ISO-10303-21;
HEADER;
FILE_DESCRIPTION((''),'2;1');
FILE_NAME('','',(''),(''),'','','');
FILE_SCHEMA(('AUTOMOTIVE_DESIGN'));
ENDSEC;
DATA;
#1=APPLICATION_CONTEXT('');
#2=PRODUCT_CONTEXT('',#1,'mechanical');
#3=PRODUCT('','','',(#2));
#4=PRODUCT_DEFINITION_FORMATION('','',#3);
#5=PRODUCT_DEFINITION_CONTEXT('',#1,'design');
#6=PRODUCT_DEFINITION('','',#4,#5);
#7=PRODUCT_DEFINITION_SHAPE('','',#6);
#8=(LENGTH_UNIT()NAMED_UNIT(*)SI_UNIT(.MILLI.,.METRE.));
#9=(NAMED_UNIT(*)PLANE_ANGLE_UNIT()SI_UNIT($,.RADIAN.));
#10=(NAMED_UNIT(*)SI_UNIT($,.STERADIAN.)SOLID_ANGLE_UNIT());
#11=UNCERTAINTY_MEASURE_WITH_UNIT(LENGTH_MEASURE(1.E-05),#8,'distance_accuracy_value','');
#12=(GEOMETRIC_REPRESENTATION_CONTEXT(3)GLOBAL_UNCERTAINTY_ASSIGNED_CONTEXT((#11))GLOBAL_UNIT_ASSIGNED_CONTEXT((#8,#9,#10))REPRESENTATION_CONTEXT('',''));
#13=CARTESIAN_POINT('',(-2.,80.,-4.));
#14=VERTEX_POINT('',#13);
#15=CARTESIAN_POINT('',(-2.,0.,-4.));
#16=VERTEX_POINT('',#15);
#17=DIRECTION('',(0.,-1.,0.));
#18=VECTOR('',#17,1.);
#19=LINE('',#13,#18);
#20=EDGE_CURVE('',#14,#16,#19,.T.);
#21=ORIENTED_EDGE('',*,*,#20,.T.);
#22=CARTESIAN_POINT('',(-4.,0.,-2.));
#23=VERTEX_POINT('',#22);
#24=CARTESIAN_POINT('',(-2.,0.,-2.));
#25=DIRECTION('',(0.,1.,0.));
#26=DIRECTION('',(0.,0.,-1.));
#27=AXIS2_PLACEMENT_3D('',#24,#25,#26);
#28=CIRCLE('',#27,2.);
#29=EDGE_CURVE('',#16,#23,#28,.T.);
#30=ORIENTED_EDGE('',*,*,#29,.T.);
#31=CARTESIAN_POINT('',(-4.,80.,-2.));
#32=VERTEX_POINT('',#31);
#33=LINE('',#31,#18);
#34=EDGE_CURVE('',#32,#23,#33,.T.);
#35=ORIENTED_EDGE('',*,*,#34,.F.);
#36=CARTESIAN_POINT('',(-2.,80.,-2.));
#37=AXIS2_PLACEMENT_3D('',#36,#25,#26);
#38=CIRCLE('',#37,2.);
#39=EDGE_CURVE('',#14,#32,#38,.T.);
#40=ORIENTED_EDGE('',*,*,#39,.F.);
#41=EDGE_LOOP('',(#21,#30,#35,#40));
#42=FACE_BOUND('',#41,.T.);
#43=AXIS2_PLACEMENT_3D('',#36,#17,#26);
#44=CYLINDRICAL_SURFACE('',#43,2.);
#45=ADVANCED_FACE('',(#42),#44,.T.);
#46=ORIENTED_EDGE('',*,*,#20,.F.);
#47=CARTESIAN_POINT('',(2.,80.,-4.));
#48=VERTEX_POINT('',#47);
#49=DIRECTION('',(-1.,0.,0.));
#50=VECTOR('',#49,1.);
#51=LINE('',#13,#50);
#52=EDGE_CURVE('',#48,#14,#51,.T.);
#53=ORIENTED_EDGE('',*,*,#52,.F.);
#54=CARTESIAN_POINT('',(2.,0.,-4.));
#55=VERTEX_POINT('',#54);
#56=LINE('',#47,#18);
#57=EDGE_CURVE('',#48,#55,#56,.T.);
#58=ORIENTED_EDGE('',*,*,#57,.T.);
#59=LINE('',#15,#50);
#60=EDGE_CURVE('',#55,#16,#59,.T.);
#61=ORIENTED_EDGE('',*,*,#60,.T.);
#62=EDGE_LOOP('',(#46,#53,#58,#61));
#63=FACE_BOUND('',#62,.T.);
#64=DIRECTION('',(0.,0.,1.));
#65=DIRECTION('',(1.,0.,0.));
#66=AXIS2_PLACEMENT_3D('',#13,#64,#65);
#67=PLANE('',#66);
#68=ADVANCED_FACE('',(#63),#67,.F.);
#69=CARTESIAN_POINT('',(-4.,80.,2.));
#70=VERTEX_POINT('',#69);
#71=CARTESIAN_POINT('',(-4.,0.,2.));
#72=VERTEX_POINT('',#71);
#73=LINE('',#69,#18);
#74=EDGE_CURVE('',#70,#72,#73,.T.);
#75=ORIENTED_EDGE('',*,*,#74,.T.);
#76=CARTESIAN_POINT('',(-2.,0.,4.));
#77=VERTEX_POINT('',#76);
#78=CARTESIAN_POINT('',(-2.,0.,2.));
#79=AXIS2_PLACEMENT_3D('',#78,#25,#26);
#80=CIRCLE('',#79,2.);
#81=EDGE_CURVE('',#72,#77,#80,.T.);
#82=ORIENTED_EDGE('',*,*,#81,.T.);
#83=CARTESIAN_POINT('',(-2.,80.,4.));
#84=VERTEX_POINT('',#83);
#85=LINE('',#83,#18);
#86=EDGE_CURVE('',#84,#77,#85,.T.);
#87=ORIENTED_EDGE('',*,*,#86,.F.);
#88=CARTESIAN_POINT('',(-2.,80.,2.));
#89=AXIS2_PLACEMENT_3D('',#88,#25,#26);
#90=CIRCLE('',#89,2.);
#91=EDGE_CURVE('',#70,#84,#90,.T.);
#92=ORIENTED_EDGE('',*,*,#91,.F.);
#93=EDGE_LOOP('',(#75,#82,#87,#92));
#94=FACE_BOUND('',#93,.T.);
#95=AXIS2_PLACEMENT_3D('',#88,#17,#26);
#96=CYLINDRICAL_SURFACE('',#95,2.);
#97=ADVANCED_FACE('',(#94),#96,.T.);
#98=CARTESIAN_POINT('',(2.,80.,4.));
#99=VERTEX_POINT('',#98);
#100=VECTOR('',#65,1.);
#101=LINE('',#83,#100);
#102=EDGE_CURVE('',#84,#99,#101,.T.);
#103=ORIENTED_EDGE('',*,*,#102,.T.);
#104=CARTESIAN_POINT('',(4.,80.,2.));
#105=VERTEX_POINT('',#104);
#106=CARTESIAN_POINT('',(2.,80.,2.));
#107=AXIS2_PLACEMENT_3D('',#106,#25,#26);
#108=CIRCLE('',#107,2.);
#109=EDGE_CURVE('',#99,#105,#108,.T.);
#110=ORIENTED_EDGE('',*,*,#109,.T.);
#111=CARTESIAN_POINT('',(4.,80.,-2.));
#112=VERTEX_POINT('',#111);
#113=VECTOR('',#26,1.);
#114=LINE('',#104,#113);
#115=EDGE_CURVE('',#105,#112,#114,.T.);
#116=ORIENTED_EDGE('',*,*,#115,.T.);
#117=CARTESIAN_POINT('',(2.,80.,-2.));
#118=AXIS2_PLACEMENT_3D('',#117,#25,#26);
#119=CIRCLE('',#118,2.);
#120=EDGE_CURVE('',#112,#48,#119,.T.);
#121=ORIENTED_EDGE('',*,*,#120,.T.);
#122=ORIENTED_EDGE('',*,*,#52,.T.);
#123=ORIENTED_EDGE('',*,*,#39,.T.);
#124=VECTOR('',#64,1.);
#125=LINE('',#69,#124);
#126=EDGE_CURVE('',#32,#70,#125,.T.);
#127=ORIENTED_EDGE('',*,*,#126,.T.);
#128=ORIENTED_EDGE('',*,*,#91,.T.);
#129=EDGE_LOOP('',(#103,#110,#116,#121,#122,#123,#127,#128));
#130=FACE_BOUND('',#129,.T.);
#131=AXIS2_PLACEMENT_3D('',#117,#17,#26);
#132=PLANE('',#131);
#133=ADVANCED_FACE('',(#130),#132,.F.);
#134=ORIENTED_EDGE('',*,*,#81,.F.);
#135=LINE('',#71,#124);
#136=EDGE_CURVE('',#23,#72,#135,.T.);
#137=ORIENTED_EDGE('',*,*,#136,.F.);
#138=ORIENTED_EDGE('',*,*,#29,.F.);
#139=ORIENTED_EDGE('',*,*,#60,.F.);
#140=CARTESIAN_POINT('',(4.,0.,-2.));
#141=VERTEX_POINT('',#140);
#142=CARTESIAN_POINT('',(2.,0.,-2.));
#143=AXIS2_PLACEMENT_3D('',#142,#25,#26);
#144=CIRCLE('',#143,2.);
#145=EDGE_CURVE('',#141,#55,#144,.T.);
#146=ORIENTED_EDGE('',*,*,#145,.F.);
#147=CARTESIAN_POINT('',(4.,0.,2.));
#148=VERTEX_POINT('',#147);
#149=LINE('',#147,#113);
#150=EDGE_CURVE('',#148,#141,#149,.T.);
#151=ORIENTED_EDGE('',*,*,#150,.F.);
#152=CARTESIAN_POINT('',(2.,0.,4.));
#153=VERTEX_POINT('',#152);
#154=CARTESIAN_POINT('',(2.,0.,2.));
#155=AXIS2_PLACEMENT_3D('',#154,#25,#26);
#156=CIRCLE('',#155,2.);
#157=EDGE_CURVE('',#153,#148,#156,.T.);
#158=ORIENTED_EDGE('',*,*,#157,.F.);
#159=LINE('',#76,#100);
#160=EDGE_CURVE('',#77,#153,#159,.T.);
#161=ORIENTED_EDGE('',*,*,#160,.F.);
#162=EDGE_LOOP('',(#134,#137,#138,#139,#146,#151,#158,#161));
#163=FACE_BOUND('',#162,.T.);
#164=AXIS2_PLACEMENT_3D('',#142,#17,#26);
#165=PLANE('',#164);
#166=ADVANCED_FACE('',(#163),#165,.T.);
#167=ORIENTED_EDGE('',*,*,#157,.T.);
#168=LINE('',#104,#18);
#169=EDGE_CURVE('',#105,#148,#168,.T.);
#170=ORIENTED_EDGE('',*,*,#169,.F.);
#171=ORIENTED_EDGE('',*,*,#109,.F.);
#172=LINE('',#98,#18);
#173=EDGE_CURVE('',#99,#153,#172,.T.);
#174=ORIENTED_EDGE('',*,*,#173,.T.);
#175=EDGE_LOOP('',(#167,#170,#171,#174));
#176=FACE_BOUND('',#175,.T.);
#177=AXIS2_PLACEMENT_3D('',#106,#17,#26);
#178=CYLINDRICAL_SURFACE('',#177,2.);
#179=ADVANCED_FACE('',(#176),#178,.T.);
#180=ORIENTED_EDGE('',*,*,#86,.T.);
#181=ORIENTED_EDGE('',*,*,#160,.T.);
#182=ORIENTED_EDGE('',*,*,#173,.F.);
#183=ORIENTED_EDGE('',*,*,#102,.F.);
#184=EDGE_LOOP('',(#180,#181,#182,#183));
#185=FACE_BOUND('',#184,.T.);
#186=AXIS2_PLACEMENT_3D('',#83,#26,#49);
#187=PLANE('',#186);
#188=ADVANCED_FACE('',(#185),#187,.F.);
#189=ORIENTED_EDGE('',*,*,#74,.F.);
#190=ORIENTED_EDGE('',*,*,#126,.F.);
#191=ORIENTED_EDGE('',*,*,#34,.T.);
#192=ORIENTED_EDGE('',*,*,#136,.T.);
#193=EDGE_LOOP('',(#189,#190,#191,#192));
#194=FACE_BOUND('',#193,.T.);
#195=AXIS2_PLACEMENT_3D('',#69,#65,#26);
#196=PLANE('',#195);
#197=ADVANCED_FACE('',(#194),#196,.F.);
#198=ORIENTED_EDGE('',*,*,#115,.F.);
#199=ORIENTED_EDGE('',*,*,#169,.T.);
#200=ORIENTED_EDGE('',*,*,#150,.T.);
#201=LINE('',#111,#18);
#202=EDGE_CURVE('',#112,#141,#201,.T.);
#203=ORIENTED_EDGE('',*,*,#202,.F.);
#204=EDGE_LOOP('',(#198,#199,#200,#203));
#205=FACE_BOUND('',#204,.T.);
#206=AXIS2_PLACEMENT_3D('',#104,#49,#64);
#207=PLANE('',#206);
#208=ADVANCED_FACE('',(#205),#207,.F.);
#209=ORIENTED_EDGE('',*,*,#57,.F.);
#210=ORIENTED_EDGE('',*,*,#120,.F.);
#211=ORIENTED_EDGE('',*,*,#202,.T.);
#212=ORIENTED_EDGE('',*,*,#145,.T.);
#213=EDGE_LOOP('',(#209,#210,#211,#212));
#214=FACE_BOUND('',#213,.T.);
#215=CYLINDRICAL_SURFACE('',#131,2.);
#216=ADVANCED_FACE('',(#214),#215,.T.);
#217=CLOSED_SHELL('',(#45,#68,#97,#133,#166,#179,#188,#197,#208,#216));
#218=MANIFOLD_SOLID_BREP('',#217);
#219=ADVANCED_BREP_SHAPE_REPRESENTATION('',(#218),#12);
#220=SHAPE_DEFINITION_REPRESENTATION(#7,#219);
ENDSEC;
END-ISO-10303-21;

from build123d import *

# Parameters (mm, degrees)
RESSALTO_EXTRUS_O1_DEPTH = 80


with BuildPart() as part:
    # Esboço1 → Ressalto-extrusão1 (new body)
    with BuildSketch(Plane(origin=(0, 0, 0), x_dir=(1, 0, 0), z_dir=(0, 1, 0))):
        with BuildLine():
            Line((-2, -4), (2, -4))
            ThreePointArc((2, -4), (3.414213562, -3.414213562), (4, -2))
            Line((4, -2), (4, 2))
            ThreePointArc((4, 2), (3.414213562, 3.414213562), (2, 4))
            Line((2, 4), (-2, 4))
            ThreePointArc((-2, 4), (-3.414213562, 3.414213562), (-4, 2))
            Line((-4, 2), (-4, -2))
            ThreePointArc((-4, -2), (-3.414213562, -3.414213562), (-2, -4))
        make_face()
    extrude(amount=RESSALTO_EXTRUS_O1_DEPTH)


solid = part.part
